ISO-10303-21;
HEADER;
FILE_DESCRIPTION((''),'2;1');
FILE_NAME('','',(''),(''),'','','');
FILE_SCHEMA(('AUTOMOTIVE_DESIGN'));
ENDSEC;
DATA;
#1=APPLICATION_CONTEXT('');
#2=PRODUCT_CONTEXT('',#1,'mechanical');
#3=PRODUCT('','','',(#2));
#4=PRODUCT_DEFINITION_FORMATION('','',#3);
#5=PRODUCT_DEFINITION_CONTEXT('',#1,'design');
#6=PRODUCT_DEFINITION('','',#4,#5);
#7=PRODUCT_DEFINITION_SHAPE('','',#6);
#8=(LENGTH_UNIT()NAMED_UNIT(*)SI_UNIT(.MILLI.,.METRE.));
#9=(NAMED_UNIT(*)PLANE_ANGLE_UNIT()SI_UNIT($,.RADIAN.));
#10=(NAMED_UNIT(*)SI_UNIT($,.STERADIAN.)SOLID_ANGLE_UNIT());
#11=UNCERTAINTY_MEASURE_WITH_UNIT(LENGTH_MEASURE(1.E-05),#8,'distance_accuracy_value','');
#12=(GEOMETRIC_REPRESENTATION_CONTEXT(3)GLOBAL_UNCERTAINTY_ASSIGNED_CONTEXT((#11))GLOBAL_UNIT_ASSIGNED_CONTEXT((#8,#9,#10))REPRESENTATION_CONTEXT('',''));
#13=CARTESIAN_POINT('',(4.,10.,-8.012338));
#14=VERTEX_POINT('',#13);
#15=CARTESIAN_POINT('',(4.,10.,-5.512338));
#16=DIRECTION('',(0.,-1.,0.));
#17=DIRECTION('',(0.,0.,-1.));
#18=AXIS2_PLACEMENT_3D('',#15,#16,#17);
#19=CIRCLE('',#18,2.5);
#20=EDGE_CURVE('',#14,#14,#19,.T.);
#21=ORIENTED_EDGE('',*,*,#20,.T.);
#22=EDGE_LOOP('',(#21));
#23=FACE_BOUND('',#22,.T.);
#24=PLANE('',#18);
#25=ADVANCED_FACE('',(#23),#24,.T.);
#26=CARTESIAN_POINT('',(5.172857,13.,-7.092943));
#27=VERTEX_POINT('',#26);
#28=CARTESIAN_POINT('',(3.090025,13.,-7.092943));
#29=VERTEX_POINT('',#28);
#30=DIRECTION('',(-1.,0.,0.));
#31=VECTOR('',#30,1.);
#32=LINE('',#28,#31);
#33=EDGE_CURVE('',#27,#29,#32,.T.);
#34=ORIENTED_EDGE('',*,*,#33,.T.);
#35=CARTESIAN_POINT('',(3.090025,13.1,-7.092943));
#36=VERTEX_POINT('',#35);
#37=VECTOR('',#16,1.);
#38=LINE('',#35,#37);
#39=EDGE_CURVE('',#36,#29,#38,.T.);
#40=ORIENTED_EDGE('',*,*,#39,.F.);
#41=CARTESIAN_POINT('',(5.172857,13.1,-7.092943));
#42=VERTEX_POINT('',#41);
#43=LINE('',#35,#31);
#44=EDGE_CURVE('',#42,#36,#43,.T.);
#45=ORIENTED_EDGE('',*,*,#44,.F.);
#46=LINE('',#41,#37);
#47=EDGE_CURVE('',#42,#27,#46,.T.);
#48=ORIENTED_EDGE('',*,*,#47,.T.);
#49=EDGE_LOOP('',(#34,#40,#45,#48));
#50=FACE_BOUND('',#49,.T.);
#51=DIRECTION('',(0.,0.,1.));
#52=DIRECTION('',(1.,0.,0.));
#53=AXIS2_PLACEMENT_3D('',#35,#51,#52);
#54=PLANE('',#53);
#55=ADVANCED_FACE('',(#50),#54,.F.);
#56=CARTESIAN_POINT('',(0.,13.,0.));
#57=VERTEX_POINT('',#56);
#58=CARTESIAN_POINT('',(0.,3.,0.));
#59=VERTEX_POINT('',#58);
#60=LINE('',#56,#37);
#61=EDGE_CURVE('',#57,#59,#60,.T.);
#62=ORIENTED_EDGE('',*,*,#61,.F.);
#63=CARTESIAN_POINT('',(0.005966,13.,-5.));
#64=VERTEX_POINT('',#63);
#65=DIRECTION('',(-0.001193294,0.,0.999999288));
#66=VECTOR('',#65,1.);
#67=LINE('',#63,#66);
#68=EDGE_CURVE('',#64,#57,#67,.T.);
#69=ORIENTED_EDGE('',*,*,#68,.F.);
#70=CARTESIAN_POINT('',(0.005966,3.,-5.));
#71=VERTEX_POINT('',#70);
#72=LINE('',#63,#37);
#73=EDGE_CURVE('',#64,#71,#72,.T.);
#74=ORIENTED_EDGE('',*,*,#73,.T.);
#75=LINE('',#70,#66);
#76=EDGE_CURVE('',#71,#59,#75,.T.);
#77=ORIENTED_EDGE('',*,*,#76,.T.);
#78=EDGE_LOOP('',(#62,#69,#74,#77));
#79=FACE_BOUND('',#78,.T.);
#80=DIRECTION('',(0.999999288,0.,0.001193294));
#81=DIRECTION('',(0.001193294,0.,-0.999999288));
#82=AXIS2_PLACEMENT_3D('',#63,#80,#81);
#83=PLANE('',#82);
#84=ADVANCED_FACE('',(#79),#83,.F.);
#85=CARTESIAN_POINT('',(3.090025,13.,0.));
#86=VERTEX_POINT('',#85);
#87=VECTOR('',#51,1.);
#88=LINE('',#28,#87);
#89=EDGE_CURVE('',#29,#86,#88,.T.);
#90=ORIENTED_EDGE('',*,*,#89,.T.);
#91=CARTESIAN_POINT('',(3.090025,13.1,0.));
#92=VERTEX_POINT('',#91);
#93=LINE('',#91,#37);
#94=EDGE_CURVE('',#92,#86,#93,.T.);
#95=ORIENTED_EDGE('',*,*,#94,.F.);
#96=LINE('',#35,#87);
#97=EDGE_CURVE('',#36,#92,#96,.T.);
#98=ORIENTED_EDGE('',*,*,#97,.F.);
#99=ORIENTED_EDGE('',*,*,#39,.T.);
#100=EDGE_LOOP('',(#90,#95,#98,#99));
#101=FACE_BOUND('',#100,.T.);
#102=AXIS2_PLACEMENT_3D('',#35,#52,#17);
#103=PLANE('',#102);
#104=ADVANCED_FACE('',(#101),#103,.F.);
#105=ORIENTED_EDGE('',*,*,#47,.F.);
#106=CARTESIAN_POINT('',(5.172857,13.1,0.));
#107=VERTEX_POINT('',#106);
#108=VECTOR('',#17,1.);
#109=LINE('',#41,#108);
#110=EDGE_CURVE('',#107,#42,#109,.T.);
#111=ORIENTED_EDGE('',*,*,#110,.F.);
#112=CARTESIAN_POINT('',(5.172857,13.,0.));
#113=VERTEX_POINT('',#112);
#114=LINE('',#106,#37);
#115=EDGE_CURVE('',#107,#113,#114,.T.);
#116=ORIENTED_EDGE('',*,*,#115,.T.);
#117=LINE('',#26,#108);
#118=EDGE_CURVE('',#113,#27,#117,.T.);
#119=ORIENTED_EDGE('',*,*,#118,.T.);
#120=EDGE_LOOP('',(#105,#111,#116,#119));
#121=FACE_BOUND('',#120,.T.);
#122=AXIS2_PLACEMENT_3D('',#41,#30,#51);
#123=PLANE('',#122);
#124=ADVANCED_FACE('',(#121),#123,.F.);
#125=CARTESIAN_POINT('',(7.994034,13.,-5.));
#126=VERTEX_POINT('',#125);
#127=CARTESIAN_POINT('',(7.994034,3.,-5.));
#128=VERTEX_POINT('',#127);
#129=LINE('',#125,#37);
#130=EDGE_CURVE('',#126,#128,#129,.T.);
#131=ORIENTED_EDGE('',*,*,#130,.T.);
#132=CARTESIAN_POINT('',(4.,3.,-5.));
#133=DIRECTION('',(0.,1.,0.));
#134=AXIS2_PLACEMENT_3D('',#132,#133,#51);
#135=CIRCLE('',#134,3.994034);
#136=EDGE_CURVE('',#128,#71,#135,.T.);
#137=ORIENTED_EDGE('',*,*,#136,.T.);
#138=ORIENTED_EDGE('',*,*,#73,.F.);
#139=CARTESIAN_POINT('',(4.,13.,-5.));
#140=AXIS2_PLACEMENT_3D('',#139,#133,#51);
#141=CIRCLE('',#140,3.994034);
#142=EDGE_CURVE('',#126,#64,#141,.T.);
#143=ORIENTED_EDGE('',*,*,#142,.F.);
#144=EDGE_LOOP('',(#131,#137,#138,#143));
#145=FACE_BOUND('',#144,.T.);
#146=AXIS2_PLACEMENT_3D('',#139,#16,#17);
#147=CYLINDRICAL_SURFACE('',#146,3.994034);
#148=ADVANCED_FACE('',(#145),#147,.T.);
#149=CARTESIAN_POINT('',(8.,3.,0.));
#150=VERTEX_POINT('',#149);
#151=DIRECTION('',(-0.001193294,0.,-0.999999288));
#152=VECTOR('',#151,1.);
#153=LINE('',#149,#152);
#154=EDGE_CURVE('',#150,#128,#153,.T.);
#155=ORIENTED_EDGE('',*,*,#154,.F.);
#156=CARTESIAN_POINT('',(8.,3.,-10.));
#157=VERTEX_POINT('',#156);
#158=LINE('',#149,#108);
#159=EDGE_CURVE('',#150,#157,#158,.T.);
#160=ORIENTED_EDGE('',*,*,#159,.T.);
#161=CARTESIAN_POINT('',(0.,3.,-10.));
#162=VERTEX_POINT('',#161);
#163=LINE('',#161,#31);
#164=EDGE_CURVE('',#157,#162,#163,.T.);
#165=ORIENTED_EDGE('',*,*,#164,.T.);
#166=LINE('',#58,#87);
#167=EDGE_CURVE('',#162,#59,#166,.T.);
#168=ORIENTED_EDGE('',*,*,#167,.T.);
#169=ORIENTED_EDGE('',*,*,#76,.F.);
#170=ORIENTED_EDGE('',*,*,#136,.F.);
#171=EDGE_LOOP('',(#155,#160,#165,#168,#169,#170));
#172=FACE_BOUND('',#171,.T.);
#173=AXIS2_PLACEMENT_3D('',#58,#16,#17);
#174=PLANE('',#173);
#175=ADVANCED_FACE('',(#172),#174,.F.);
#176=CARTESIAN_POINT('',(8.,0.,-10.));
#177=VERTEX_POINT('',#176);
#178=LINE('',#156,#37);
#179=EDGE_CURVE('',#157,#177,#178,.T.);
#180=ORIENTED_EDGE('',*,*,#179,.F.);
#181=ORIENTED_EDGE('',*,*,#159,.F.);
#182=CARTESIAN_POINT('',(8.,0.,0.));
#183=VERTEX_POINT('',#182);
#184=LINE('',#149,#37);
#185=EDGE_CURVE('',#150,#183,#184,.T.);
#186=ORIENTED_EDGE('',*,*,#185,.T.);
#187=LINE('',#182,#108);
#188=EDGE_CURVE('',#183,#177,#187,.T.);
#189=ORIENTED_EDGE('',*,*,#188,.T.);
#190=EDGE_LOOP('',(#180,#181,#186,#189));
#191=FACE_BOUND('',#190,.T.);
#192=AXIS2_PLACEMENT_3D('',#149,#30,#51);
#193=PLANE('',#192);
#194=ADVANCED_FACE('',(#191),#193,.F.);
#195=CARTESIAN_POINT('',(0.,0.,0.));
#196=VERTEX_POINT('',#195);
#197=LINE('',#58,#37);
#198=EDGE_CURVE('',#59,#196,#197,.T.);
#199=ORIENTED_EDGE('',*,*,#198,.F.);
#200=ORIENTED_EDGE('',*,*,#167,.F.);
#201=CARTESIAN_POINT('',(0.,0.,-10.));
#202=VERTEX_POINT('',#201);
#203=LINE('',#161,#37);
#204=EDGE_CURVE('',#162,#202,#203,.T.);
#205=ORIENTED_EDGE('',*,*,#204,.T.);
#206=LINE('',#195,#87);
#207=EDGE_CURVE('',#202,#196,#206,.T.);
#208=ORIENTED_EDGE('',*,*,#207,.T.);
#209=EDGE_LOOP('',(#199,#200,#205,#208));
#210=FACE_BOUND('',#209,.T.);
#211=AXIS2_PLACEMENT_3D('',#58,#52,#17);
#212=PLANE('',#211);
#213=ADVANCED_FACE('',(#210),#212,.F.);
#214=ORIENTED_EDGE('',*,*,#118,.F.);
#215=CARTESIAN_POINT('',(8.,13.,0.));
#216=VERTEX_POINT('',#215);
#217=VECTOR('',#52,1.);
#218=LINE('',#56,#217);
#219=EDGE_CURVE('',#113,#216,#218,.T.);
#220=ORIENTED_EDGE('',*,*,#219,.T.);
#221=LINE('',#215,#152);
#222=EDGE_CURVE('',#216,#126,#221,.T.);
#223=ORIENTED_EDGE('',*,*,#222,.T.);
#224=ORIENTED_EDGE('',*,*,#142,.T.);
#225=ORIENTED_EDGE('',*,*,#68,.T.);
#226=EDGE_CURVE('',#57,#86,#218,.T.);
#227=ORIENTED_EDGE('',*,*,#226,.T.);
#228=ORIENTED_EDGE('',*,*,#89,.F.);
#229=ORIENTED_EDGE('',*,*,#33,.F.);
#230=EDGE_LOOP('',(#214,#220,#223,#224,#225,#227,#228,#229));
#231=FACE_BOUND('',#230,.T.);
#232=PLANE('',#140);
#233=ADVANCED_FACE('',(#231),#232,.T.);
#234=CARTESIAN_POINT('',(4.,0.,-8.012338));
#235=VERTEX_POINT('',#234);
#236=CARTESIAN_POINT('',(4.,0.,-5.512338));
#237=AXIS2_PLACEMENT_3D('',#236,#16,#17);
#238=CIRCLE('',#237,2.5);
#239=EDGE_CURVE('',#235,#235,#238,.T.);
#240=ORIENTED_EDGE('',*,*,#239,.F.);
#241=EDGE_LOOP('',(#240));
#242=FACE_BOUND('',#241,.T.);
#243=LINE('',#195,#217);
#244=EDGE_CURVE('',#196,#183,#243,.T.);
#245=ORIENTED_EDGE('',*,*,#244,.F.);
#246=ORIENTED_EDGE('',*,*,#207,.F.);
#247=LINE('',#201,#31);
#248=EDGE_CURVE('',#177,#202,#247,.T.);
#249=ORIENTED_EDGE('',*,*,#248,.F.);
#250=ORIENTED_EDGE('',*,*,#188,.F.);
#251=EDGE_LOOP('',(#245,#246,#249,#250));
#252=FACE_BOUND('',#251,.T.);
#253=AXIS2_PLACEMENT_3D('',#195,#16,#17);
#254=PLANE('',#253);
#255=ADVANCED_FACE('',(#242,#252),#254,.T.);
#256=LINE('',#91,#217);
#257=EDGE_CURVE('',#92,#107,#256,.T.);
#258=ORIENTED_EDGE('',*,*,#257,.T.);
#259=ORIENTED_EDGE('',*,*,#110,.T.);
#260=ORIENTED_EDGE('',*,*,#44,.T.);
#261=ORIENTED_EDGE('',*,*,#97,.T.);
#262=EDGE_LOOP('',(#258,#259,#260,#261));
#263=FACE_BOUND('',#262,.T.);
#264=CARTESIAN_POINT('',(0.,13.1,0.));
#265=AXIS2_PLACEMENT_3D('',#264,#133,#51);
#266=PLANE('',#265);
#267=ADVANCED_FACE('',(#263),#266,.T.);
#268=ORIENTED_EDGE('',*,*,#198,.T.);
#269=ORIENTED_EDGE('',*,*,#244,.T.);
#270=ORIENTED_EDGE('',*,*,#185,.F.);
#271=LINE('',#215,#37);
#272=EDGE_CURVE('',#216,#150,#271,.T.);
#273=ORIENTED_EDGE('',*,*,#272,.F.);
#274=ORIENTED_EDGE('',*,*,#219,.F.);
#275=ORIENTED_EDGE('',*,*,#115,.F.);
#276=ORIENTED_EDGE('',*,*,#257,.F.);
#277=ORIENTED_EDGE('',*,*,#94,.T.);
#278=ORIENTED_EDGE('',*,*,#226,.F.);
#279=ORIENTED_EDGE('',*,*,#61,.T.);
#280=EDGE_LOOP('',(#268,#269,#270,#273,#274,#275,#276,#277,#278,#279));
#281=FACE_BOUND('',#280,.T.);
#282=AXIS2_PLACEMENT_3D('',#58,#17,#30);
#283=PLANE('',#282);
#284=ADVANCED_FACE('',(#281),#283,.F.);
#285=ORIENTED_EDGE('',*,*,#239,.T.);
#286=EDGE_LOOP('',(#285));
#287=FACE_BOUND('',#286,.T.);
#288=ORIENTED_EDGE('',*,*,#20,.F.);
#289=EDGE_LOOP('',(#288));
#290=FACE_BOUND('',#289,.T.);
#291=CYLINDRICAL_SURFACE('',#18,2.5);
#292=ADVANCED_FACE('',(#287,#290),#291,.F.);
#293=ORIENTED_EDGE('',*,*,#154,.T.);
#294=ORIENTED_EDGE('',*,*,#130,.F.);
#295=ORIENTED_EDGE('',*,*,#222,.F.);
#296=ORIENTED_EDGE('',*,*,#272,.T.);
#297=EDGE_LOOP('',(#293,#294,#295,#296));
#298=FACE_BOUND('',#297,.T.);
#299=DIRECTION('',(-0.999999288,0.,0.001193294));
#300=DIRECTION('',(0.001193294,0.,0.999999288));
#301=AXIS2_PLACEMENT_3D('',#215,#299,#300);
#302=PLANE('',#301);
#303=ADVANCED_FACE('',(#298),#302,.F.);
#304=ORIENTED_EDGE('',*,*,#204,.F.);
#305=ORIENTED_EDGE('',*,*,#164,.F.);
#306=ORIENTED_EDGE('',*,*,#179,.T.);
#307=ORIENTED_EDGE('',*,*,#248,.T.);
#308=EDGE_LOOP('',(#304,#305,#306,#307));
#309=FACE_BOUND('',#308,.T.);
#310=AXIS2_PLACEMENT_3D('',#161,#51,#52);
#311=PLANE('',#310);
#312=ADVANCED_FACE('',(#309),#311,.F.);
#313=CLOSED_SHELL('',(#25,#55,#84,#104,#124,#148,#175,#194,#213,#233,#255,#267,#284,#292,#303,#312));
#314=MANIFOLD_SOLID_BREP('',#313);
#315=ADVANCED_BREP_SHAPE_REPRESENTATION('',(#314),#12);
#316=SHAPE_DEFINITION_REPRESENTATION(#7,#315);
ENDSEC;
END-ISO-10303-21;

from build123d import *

# Parameters (mm, degrees)
SKETCH_1_W          = 8
SKETCH_1_H          = 10
EXTRUDE_1_DEPTH     = 3
EXTRUDE_2_DEPTH     = 10
SKETCH_3_R          = 2.5
CUT_EXTRUDE_1_DEPTH = 10
SKETCH_4_W          = 2.082831863
SKETCH_4_H          = 7.092942697
EXTRUDE_3_DEPTH     = 0.1


with BuildPart() as part:
    # 草图1 → 凸台-拉伸1 (new body)
    with BuildSketch(Plane(origin=(0, 0, 0), x_dir=(1, 0, 0), z_dir=(0, 1, 0))):
        with Locations((4, 5)):
            Rectangle(SKETCH_1_W, SKETCH_1_H)
    extrude(amount=EXTRUDE_1_DEPTH)

    # 草图2 → 凸台-拉伸2 (add)
    with BuildSketch(Plane(origin=(0, 3, 0), x_dir=(1, 0, 0), z_dir=(0, 1, 0))):
        with BuildLine():
            Line((0.005966473, 5), (0, 0))
            Line((0, 0), (8, 0))
            Line((8, 0), (7.994033527, 5))
            ThreePointArc((7.994033527, 5), (4, 8.994033527), (0.005966473, 5))
        make_face()
    extrude(amount=EXTRUDE_2_DEPTH)

    # 草图3 → 切除-拉伸1 (cut)
    with BuildSketch(Plane.XZ):
        with Locations(Location((4, -5.512337614, 0), (0, 0, 270))):
            Circle(SKETCH_3_R)
    extrude(amount=-CUT_EXTRUDE_1_DEPTH, mode=Mode.SUBTRACT)

    # 草图4 → 凸台-拉伸3 (add)
    with BuildSketch(Plane(origin=(0, 13, 0), x_dir=(1, 0, 0), z_dir=(0, 1, 0))):
        with Locations((4.131440846, 3.546471349)):
            Rectangle(SKETCH_4_W, SKETCH_4_H)
    extrude(amount=EXTRUDE_3_DEPTH)


solid = part.part
